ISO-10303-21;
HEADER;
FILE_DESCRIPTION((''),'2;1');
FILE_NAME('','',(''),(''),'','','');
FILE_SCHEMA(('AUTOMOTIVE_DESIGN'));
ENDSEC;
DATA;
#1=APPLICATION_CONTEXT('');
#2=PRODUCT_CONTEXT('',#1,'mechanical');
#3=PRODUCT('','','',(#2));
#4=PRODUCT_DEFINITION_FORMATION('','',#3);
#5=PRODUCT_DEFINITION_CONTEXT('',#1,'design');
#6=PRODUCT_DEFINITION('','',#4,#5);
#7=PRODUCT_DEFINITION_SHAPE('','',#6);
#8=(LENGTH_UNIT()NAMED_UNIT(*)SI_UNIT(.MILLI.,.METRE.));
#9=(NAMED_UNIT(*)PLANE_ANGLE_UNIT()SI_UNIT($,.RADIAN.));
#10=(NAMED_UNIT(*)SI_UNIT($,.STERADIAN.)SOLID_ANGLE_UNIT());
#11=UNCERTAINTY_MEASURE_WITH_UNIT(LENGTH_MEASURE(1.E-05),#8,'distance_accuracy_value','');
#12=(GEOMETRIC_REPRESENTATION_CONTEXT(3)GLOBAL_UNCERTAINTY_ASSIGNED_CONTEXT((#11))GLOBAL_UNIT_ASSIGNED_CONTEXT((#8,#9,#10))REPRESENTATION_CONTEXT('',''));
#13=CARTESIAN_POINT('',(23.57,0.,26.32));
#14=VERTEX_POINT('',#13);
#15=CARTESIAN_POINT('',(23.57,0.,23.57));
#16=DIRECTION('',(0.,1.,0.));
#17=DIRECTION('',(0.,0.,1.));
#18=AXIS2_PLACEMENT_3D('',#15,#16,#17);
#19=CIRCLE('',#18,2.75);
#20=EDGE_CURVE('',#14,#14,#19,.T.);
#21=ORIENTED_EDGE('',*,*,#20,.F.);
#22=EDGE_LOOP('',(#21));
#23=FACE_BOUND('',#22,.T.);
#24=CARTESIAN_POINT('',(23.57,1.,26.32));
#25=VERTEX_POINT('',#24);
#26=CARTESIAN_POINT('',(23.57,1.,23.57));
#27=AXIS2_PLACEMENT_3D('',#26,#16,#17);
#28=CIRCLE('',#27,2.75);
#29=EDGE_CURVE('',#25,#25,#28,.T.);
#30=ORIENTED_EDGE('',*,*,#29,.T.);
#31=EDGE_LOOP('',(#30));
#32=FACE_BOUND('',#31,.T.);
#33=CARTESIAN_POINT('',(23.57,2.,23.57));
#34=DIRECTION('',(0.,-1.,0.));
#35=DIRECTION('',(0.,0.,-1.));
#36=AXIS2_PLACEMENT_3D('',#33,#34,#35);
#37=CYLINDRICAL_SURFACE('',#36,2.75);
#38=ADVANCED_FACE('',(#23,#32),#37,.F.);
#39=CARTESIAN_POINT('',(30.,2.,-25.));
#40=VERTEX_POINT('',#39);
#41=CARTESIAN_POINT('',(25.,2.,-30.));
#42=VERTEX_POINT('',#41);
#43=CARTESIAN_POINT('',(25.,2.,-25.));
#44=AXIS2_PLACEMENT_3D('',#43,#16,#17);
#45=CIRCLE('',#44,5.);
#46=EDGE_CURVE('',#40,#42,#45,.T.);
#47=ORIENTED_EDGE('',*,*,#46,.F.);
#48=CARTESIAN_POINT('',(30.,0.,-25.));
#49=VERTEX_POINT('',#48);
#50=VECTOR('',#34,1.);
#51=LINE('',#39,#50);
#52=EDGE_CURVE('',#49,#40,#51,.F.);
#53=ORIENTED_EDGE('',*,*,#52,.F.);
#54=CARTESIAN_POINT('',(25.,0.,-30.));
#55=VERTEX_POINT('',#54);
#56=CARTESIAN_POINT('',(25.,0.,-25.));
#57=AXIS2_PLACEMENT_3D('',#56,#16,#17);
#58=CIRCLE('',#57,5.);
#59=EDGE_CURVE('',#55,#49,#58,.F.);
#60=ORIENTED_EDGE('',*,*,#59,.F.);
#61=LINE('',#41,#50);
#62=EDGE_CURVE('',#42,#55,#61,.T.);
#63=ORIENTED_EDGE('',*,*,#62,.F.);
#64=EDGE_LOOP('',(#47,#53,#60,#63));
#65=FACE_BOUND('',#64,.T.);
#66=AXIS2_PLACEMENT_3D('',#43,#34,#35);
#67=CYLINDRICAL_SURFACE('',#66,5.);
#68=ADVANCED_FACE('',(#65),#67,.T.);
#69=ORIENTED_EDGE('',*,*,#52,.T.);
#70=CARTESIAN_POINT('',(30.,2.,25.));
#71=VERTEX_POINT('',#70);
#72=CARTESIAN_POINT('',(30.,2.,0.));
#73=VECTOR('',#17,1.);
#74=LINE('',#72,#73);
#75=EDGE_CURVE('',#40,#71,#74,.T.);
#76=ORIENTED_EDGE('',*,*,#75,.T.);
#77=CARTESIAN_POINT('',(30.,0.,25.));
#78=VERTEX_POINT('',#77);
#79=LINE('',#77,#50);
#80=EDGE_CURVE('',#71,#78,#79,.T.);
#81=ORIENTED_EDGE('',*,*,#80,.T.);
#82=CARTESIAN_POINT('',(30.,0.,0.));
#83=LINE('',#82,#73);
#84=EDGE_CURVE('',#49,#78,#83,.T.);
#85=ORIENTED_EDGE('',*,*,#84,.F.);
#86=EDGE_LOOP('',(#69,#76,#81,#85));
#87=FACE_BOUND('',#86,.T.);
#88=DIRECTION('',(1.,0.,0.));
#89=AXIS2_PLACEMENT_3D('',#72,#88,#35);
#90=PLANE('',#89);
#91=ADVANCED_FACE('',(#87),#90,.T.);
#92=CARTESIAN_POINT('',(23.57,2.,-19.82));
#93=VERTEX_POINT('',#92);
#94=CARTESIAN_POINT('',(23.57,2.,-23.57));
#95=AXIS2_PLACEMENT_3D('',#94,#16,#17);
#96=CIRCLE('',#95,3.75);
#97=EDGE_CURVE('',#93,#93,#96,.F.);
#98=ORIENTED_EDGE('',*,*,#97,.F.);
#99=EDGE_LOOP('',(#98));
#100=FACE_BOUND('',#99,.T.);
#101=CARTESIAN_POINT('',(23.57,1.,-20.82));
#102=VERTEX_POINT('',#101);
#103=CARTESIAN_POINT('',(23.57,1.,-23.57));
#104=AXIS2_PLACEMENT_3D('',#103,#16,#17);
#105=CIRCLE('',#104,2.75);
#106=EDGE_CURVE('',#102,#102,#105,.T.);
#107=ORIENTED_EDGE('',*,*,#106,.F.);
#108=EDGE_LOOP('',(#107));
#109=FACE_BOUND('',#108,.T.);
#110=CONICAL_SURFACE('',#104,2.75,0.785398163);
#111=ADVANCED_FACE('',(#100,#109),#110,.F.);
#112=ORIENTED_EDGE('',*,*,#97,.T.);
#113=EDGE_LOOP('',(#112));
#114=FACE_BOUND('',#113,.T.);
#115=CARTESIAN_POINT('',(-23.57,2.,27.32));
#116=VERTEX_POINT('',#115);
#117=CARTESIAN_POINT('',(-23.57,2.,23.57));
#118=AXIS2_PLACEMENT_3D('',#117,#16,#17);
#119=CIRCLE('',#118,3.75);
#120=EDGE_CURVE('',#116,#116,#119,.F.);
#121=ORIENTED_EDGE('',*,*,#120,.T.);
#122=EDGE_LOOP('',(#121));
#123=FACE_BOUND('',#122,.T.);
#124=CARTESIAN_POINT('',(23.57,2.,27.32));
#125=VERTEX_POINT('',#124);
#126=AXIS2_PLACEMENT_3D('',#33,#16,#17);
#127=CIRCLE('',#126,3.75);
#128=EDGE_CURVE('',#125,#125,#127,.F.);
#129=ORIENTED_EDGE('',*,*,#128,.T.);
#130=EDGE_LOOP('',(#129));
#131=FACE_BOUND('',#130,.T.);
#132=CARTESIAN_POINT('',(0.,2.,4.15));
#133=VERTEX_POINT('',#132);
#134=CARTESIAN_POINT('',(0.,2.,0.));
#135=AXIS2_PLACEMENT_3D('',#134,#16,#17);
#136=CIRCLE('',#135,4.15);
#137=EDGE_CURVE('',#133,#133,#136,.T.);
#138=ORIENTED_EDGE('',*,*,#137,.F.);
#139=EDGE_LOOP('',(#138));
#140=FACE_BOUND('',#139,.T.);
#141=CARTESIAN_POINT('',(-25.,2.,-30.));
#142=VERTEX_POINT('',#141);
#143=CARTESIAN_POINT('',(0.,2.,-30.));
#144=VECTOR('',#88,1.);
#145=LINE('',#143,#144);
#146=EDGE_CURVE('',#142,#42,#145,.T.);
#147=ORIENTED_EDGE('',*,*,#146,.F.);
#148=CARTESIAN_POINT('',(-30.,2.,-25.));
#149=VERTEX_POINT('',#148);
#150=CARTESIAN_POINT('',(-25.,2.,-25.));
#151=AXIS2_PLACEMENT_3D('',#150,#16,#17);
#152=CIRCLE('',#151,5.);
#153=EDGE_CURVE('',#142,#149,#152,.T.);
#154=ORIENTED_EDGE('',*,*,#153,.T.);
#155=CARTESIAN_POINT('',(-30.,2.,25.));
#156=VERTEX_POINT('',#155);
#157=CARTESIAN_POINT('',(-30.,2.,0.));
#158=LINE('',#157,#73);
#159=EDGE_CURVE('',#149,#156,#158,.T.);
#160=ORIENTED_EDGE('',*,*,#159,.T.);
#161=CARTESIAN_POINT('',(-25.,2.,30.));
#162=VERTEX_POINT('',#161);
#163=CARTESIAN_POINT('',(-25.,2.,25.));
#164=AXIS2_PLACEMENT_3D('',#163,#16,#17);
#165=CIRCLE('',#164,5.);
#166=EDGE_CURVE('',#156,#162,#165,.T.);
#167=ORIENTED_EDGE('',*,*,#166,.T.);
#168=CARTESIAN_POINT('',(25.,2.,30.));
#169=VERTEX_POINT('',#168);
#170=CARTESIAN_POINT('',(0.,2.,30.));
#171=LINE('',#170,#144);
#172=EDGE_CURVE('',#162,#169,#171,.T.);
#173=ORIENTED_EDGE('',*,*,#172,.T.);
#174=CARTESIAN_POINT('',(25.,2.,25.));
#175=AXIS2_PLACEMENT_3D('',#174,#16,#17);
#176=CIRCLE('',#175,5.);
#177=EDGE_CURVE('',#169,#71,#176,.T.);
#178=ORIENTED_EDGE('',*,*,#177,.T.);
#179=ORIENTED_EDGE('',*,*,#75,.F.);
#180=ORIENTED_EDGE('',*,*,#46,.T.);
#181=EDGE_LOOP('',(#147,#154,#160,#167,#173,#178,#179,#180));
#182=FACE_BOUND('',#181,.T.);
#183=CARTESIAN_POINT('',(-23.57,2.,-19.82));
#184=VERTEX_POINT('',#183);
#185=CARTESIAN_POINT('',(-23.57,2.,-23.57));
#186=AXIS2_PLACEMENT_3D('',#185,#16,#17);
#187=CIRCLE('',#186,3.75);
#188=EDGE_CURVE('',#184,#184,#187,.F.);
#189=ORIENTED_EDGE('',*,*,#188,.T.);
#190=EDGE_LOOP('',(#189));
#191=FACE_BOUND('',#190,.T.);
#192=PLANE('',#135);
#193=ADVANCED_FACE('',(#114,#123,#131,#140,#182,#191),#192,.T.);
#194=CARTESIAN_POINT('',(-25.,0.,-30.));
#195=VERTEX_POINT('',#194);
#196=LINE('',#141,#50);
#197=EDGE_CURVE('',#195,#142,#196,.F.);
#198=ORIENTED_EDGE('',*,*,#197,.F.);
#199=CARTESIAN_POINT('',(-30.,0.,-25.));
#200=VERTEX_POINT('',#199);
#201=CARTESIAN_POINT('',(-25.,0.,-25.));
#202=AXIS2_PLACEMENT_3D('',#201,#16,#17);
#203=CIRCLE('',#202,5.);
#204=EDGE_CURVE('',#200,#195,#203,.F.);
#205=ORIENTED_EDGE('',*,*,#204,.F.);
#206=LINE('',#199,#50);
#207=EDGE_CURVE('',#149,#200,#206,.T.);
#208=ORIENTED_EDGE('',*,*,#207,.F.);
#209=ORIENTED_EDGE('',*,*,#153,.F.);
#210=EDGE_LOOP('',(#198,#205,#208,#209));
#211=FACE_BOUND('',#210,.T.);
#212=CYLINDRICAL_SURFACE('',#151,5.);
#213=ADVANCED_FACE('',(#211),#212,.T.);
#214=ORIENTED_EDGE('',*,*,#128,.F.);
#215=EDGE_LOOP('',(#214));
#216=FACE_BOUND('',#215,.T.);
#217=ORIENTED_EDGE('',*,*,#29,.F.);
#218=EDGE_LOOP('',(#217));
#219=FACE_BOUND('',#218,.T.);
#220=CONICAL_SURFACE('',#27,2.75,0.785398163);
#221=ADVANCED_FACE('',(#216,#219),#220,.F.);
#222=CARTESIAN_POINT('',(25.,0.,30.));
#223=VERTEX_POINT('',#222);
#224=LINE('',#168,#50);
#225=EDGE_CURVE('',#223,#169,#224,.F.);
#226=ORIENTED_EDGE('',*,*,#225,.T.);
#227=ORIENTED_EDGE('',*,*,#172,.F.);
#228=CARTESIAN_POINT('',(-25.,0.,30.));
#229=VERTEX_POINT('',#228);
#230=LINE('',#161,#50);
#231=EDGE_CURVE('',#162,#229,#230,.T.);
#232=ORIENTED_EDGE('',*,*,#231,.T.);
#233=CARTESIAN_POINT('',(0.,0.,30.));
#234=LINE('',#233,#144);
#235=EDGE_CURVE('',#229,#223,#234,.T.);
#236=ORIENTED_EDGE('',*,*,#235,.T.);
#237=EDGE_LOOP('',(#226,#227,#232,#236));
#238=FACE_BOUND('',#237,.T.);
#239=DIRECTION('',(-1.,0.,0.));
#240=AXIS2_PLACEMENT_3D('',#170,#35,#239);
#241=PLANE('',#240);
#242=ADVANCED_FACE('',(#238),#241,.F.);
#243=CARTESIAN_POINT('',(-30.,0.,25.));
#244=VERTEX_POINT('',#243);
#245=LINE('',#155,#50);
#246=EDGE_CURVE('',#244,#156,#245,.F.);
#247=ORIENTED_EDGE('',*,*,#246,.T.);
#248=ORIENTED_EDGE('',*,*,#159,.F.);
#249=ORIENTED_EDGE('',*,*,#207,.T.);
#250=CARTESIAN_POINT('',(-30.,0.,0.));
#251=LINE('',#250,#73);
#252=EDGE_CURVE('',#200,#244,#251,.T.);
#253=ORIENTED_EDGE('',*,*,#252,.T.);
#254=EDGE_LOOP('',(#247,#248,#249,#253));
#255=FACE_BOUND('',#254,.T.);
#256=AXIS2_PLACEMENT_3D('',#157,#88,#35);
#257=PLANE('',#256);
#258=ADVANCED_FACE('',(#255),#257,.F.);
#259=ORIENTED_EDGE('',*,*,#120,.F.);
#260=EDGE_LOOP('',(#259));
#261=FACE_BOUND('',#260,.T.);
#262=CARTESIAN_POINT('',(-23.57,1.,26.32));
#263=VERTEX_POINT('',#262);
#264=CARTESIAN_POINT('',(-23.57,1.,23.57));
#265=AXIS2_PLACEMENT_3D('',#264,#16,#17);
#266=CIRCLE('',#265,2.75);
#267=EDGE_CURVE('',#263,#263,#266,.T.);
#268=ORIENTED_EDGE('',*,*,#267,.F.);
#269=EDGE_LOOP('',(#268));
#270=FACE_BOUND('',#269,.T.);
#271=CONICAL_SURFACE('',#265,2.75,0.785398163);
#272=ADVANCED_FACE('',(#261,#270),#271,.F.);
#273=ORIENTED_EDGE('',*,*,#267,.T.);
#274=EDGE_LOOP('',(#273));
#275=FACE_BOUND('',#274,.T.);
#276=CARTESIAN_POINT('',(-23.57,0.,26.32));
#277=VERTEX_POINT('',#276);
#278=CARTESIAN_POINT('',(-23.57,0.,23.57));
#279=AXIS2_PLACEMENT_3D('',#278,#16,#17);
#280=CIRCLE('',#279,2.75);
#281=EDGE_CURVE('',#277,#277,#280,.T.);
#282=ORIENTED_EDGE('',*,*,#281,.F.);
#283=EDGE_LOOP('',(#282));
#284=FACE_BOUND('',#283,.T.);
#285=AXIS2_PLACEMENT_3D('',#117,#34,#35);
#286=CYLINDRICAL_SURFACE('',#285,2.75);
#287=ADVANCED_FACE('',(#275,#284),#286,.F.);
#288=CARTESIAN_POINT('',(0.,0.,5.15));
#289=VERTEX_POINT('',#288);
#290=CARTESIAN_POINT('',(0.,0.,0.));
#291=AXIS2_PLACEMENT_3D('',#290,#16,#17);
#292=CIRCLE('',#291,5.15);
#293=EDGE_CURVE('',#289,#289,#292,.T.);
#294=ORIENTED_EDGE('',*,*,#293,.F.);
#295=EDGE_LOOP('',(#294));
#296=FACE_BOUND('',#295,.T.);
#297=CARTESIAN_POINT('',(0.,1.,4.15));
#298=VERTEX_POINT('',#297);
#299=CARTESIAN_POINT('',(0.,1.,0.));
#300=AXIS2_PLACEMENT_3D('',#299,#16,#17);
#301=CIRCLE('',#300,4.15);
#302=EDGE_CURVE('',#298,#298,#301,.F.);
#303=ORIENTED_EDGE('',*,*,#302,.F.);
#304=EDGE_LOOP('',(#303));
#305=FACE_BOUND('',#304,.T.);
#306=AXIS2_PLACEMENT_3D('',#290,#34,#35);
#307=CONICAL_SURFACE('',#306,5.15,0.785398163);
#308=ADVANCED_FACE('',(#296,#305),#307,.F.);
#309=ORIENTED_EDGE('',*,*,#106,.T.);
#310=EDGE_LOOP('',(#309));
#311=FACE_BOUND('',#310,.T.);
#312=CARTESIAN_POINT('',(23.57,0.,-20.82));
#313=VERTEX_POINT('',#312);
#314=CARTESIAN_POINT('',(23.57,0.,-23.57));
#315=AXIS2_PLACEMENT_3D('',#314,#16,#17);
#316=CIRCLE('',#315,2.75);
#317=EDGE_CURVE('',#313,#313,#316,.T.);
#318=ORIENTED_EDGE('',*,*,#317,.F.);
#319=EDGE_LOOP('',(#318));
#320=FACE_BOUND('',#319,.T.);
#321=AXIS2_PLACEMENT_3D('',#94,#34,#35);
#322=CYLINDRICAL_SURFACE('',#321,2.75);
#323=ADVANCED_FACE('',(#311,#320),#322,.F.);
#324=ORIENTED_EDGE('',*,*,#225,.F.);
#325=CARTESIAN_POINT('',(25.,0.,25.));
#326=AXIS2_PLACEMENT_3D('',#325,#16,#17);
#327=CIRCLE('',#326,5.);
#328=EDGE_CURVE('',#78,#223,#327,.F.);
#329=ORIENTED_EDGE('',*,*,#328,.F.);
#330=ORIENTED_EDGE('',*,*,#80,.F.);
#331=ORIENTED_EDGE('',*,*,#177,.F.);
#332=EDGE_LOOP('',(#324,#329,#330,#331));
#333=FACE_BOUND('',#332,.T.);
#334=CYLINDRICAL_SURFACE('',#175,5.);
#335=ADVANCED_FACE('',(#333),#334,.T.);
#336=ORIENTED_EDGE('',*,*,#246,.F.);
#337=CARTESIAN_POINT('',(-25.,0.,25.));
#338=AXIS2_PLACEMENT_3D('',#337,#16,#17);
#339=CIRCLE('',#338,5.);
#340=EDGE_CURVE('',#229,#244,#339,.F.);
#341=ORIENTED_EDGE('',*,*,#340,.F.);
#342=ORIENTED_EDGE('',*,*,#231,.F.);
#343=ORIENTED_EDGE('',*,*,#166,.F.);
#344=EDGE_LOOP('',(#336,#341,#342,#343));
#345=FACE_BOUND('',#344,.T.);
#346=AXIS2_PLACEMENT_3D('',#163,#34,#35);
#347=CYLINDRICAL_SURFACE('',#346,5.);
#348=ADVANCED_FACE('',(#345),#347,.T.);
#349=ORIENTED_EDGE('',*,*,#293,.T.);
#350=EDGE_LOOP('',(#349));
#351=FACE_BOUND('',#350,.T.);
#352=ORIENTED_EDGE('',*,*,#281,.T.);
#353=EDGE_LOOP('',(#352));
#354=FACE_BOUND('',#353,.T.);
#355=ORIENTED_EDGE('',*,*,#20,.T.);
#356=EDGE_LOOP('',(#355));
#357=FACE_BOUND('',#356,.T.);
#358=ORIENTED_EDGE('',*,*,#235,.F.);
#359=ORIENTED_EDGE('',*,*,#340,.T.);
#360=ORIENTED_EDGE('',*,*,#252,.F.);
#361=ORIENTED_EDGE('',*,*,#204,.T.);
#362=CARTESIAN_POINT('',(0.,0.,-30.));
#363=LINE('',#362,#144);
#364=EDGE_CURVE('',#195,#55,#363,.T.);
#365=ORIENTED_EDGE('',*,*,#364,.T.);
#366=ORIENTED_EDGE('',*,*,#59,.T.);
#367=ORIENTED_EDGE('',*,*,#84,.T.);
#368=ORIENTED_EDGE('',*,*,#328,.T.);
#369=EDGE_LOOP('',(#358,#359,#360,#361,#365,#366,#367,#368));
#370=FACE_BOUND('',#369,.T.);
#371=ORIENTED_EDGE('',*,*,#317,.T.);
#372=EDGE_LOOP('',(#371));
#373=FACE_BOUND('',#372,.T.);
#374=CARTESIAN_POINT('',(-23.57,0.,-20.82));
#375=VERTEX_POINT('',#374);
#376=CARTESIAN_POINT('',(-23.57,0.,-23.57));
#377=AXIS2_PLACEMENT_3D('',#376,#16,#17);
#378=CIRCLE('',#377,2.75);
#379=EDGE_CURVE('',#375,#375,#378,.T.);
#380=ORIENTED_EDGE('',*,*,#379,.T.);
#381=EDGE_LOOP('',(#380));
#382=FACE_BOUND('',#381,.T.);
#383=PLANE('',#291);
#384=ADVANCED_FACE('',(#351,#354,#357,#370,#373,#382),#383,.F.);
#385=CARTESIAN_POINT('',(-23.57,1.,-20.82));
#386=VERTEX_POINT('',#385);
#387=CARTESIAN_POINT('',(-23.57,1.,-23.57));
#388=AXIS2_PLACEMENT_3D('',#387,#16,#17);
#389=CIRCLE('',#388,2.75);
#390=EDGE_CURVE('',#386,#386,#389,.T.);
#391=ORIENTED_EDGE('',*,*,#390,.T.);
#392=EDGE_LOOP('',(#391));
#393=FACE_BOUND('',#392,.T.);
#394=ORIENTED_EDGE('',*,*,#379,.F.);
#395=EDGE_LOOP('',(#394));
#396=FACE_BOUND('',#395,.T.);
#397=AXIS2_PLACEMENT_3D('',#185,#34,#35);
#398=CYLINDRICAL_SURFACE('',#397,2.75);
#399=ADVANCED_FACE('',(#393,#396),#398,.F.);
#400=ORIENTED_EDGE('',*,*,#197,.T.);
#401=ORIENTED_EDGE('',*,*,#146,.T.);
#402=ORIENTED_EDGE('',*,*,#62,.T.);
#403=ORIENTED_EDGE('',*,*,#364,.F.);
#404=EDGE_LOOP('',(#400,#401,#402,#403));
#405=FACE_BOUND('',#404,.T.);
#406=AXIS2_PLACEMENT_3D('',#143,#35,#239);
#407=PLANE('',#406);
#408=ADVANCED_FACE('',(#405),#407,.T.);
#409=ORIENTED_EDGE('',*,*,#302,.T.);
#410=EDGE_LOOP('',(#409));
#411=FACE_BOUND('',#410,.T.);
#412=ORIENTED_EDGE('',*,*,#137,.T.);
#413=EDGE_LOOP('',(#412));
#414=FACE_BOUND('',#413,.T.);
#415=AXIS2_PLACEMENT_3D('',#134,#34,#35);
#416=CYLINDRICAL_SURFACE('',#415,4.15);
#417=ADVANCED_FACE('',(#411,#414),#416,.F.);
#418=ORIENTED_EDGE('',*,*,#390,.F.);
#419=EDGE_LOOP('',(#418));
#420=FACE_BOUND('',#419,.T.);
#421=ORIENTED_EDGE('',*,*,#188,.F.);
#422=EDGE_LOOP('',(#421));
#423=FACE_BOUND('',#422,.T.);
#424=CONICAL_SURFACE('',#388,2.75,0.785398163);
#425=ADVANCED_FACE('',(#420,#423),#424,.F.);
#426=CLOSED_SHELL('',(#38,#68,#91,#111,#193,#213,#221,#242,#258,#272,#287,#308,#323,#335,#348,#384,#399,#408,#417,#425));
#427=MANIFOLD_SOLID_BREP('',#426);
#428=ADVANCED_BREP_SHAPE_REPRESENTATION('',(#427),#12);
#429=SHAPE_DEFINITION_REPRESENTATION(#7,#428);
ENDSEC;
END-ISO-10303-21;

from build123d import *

# Parameters (mm, degrees)
SKETCH1_R           = 4.150000000000041
BOSS_EXTRUDE1_DEPTH = 2
CHAMFER1_SIZE       = 1
CHAMFER2_SIZE       = 1
FILLET1_R           = 5


with BuildPart() as part:
    # Sketch1 → Boss-Extrude1 (new body)
    with BuildSketch(Plane(origin=(0, 0, 0), x_dir=(1, 0, 0), z_dir=(0, 1, 0))):
        Polygon((30.00000000000003, 30.000000000000025), (-29.999999999999986, 30.000000000000025), (-29.99999999999997, -29.999999999999975), (30.00000000000003, -29.999999999999975), align=None)
        with BuildLine():
            ThreePointArc((-23.57000000000001, -20.819999999999983), (-21.625456351737007, -21.625456351736975), (-20.820000000000014, -23.56999999999998))
            ThreePointArc((-20.820000000000014, -23.56999999999998), (-25.514543648263015, -25.514543648262983), (-23.57000000000001, -20.819999999999983))
        make_face(mode=Mode.SUBTRACT)
        with BuildLine():
            ThreePointArc((26.319999999999983, -23.56999999999998), (23.569999999999986, -26.319999999999975), (20.81999999999999, -23.56999999999998))
            ThreePointArc((20.81999999999999, -23.56999999999998), (21.625456351736982, -21.625456351736975), (23.569999999999986, -20.819999999999983))
            ThreePointArc((23.569999999999986, -20.819999999999983), (25.51454364826299, -21.625456351736975), (26.319999999999983, -23.56999999999998))
        make_face(mode=Mode.SUBTRACT)
        with BuildLine():
            ThreePointArc((-23.57000000000002, 20.820000000000025), (-25.514543648263025, 25.514543648263025), (-20.820000000000025, 23.57000000000002))
            ThreePointArc((-20.820000000000025, 23.57000000000002), (-21.625456351737018, 21.625456351737018), (-23.57000000000002, 20.820000000000025))
        make_face(mode=Mode.SUBTRACT)
        Circle(SKETCH1_R, mode=Mode.SUBTRACT)
        with BuildLine():
            ThreePointArc((23.56999999999998, 20.820000000000025), (21.625456351736975, 21.625456351737018), (20.819999999999983, 23.57000000000002))
            ThreePointArc((20.819999999999983, 23.57000000000002), (23.56999999999998, 26.320000000000018), (26.319999999999975, 23.57000000000002))
            ThreePointArc((26.319999999999975, 23.57000000000002), (25.514543648262983, 21.625456351737018), (23.56999999999998, 20.820000000000025))
        make_face(mode=Mode.SUBTRACT)
    extrude(amount=BOSS_EXTRUDE1_DEPTH)

    # Chamfer1
    chamfer1_edges = [part.edges().sort_by_distance(p)[0] for p in [
        (20.819999999999983, 2, -23.57000000000002),
        (23.569999999999972, 2, 26.31999999999996),
        (-23.57000000000001, 2, 26.319999999999975),
        (-26.320000000000018, 2, -23.57000000000002),
    ]]
    chamfer(chamfer1_edges, length=CHAMFER1_SIZE)

    # Chamfer2
    chamfer2_edges = [part.edges().sort_by_distance(p)[0] for p in [
        (-4.150000000000013, 0, -2.356e-14),
    ]]
    chamfer(chamfer2_edges, length=CHAMFER2_SIZE)

    # Fillet1
    fillet1_edges = [part.edges().sort_by_distance(p)[0] for p in [
        (-29.999999999999986, 1, -30.000000000000025),
        (30.00000000000003, 1, -30.000000000000025),
        (-29.99999999999997, 1, 29.999999999999975),
        (30.00000000000003, 1, 29.999999999999975),
    ]]
    fillet(fillet1_edges, radius=FILLET1_R)


solid = part.part
